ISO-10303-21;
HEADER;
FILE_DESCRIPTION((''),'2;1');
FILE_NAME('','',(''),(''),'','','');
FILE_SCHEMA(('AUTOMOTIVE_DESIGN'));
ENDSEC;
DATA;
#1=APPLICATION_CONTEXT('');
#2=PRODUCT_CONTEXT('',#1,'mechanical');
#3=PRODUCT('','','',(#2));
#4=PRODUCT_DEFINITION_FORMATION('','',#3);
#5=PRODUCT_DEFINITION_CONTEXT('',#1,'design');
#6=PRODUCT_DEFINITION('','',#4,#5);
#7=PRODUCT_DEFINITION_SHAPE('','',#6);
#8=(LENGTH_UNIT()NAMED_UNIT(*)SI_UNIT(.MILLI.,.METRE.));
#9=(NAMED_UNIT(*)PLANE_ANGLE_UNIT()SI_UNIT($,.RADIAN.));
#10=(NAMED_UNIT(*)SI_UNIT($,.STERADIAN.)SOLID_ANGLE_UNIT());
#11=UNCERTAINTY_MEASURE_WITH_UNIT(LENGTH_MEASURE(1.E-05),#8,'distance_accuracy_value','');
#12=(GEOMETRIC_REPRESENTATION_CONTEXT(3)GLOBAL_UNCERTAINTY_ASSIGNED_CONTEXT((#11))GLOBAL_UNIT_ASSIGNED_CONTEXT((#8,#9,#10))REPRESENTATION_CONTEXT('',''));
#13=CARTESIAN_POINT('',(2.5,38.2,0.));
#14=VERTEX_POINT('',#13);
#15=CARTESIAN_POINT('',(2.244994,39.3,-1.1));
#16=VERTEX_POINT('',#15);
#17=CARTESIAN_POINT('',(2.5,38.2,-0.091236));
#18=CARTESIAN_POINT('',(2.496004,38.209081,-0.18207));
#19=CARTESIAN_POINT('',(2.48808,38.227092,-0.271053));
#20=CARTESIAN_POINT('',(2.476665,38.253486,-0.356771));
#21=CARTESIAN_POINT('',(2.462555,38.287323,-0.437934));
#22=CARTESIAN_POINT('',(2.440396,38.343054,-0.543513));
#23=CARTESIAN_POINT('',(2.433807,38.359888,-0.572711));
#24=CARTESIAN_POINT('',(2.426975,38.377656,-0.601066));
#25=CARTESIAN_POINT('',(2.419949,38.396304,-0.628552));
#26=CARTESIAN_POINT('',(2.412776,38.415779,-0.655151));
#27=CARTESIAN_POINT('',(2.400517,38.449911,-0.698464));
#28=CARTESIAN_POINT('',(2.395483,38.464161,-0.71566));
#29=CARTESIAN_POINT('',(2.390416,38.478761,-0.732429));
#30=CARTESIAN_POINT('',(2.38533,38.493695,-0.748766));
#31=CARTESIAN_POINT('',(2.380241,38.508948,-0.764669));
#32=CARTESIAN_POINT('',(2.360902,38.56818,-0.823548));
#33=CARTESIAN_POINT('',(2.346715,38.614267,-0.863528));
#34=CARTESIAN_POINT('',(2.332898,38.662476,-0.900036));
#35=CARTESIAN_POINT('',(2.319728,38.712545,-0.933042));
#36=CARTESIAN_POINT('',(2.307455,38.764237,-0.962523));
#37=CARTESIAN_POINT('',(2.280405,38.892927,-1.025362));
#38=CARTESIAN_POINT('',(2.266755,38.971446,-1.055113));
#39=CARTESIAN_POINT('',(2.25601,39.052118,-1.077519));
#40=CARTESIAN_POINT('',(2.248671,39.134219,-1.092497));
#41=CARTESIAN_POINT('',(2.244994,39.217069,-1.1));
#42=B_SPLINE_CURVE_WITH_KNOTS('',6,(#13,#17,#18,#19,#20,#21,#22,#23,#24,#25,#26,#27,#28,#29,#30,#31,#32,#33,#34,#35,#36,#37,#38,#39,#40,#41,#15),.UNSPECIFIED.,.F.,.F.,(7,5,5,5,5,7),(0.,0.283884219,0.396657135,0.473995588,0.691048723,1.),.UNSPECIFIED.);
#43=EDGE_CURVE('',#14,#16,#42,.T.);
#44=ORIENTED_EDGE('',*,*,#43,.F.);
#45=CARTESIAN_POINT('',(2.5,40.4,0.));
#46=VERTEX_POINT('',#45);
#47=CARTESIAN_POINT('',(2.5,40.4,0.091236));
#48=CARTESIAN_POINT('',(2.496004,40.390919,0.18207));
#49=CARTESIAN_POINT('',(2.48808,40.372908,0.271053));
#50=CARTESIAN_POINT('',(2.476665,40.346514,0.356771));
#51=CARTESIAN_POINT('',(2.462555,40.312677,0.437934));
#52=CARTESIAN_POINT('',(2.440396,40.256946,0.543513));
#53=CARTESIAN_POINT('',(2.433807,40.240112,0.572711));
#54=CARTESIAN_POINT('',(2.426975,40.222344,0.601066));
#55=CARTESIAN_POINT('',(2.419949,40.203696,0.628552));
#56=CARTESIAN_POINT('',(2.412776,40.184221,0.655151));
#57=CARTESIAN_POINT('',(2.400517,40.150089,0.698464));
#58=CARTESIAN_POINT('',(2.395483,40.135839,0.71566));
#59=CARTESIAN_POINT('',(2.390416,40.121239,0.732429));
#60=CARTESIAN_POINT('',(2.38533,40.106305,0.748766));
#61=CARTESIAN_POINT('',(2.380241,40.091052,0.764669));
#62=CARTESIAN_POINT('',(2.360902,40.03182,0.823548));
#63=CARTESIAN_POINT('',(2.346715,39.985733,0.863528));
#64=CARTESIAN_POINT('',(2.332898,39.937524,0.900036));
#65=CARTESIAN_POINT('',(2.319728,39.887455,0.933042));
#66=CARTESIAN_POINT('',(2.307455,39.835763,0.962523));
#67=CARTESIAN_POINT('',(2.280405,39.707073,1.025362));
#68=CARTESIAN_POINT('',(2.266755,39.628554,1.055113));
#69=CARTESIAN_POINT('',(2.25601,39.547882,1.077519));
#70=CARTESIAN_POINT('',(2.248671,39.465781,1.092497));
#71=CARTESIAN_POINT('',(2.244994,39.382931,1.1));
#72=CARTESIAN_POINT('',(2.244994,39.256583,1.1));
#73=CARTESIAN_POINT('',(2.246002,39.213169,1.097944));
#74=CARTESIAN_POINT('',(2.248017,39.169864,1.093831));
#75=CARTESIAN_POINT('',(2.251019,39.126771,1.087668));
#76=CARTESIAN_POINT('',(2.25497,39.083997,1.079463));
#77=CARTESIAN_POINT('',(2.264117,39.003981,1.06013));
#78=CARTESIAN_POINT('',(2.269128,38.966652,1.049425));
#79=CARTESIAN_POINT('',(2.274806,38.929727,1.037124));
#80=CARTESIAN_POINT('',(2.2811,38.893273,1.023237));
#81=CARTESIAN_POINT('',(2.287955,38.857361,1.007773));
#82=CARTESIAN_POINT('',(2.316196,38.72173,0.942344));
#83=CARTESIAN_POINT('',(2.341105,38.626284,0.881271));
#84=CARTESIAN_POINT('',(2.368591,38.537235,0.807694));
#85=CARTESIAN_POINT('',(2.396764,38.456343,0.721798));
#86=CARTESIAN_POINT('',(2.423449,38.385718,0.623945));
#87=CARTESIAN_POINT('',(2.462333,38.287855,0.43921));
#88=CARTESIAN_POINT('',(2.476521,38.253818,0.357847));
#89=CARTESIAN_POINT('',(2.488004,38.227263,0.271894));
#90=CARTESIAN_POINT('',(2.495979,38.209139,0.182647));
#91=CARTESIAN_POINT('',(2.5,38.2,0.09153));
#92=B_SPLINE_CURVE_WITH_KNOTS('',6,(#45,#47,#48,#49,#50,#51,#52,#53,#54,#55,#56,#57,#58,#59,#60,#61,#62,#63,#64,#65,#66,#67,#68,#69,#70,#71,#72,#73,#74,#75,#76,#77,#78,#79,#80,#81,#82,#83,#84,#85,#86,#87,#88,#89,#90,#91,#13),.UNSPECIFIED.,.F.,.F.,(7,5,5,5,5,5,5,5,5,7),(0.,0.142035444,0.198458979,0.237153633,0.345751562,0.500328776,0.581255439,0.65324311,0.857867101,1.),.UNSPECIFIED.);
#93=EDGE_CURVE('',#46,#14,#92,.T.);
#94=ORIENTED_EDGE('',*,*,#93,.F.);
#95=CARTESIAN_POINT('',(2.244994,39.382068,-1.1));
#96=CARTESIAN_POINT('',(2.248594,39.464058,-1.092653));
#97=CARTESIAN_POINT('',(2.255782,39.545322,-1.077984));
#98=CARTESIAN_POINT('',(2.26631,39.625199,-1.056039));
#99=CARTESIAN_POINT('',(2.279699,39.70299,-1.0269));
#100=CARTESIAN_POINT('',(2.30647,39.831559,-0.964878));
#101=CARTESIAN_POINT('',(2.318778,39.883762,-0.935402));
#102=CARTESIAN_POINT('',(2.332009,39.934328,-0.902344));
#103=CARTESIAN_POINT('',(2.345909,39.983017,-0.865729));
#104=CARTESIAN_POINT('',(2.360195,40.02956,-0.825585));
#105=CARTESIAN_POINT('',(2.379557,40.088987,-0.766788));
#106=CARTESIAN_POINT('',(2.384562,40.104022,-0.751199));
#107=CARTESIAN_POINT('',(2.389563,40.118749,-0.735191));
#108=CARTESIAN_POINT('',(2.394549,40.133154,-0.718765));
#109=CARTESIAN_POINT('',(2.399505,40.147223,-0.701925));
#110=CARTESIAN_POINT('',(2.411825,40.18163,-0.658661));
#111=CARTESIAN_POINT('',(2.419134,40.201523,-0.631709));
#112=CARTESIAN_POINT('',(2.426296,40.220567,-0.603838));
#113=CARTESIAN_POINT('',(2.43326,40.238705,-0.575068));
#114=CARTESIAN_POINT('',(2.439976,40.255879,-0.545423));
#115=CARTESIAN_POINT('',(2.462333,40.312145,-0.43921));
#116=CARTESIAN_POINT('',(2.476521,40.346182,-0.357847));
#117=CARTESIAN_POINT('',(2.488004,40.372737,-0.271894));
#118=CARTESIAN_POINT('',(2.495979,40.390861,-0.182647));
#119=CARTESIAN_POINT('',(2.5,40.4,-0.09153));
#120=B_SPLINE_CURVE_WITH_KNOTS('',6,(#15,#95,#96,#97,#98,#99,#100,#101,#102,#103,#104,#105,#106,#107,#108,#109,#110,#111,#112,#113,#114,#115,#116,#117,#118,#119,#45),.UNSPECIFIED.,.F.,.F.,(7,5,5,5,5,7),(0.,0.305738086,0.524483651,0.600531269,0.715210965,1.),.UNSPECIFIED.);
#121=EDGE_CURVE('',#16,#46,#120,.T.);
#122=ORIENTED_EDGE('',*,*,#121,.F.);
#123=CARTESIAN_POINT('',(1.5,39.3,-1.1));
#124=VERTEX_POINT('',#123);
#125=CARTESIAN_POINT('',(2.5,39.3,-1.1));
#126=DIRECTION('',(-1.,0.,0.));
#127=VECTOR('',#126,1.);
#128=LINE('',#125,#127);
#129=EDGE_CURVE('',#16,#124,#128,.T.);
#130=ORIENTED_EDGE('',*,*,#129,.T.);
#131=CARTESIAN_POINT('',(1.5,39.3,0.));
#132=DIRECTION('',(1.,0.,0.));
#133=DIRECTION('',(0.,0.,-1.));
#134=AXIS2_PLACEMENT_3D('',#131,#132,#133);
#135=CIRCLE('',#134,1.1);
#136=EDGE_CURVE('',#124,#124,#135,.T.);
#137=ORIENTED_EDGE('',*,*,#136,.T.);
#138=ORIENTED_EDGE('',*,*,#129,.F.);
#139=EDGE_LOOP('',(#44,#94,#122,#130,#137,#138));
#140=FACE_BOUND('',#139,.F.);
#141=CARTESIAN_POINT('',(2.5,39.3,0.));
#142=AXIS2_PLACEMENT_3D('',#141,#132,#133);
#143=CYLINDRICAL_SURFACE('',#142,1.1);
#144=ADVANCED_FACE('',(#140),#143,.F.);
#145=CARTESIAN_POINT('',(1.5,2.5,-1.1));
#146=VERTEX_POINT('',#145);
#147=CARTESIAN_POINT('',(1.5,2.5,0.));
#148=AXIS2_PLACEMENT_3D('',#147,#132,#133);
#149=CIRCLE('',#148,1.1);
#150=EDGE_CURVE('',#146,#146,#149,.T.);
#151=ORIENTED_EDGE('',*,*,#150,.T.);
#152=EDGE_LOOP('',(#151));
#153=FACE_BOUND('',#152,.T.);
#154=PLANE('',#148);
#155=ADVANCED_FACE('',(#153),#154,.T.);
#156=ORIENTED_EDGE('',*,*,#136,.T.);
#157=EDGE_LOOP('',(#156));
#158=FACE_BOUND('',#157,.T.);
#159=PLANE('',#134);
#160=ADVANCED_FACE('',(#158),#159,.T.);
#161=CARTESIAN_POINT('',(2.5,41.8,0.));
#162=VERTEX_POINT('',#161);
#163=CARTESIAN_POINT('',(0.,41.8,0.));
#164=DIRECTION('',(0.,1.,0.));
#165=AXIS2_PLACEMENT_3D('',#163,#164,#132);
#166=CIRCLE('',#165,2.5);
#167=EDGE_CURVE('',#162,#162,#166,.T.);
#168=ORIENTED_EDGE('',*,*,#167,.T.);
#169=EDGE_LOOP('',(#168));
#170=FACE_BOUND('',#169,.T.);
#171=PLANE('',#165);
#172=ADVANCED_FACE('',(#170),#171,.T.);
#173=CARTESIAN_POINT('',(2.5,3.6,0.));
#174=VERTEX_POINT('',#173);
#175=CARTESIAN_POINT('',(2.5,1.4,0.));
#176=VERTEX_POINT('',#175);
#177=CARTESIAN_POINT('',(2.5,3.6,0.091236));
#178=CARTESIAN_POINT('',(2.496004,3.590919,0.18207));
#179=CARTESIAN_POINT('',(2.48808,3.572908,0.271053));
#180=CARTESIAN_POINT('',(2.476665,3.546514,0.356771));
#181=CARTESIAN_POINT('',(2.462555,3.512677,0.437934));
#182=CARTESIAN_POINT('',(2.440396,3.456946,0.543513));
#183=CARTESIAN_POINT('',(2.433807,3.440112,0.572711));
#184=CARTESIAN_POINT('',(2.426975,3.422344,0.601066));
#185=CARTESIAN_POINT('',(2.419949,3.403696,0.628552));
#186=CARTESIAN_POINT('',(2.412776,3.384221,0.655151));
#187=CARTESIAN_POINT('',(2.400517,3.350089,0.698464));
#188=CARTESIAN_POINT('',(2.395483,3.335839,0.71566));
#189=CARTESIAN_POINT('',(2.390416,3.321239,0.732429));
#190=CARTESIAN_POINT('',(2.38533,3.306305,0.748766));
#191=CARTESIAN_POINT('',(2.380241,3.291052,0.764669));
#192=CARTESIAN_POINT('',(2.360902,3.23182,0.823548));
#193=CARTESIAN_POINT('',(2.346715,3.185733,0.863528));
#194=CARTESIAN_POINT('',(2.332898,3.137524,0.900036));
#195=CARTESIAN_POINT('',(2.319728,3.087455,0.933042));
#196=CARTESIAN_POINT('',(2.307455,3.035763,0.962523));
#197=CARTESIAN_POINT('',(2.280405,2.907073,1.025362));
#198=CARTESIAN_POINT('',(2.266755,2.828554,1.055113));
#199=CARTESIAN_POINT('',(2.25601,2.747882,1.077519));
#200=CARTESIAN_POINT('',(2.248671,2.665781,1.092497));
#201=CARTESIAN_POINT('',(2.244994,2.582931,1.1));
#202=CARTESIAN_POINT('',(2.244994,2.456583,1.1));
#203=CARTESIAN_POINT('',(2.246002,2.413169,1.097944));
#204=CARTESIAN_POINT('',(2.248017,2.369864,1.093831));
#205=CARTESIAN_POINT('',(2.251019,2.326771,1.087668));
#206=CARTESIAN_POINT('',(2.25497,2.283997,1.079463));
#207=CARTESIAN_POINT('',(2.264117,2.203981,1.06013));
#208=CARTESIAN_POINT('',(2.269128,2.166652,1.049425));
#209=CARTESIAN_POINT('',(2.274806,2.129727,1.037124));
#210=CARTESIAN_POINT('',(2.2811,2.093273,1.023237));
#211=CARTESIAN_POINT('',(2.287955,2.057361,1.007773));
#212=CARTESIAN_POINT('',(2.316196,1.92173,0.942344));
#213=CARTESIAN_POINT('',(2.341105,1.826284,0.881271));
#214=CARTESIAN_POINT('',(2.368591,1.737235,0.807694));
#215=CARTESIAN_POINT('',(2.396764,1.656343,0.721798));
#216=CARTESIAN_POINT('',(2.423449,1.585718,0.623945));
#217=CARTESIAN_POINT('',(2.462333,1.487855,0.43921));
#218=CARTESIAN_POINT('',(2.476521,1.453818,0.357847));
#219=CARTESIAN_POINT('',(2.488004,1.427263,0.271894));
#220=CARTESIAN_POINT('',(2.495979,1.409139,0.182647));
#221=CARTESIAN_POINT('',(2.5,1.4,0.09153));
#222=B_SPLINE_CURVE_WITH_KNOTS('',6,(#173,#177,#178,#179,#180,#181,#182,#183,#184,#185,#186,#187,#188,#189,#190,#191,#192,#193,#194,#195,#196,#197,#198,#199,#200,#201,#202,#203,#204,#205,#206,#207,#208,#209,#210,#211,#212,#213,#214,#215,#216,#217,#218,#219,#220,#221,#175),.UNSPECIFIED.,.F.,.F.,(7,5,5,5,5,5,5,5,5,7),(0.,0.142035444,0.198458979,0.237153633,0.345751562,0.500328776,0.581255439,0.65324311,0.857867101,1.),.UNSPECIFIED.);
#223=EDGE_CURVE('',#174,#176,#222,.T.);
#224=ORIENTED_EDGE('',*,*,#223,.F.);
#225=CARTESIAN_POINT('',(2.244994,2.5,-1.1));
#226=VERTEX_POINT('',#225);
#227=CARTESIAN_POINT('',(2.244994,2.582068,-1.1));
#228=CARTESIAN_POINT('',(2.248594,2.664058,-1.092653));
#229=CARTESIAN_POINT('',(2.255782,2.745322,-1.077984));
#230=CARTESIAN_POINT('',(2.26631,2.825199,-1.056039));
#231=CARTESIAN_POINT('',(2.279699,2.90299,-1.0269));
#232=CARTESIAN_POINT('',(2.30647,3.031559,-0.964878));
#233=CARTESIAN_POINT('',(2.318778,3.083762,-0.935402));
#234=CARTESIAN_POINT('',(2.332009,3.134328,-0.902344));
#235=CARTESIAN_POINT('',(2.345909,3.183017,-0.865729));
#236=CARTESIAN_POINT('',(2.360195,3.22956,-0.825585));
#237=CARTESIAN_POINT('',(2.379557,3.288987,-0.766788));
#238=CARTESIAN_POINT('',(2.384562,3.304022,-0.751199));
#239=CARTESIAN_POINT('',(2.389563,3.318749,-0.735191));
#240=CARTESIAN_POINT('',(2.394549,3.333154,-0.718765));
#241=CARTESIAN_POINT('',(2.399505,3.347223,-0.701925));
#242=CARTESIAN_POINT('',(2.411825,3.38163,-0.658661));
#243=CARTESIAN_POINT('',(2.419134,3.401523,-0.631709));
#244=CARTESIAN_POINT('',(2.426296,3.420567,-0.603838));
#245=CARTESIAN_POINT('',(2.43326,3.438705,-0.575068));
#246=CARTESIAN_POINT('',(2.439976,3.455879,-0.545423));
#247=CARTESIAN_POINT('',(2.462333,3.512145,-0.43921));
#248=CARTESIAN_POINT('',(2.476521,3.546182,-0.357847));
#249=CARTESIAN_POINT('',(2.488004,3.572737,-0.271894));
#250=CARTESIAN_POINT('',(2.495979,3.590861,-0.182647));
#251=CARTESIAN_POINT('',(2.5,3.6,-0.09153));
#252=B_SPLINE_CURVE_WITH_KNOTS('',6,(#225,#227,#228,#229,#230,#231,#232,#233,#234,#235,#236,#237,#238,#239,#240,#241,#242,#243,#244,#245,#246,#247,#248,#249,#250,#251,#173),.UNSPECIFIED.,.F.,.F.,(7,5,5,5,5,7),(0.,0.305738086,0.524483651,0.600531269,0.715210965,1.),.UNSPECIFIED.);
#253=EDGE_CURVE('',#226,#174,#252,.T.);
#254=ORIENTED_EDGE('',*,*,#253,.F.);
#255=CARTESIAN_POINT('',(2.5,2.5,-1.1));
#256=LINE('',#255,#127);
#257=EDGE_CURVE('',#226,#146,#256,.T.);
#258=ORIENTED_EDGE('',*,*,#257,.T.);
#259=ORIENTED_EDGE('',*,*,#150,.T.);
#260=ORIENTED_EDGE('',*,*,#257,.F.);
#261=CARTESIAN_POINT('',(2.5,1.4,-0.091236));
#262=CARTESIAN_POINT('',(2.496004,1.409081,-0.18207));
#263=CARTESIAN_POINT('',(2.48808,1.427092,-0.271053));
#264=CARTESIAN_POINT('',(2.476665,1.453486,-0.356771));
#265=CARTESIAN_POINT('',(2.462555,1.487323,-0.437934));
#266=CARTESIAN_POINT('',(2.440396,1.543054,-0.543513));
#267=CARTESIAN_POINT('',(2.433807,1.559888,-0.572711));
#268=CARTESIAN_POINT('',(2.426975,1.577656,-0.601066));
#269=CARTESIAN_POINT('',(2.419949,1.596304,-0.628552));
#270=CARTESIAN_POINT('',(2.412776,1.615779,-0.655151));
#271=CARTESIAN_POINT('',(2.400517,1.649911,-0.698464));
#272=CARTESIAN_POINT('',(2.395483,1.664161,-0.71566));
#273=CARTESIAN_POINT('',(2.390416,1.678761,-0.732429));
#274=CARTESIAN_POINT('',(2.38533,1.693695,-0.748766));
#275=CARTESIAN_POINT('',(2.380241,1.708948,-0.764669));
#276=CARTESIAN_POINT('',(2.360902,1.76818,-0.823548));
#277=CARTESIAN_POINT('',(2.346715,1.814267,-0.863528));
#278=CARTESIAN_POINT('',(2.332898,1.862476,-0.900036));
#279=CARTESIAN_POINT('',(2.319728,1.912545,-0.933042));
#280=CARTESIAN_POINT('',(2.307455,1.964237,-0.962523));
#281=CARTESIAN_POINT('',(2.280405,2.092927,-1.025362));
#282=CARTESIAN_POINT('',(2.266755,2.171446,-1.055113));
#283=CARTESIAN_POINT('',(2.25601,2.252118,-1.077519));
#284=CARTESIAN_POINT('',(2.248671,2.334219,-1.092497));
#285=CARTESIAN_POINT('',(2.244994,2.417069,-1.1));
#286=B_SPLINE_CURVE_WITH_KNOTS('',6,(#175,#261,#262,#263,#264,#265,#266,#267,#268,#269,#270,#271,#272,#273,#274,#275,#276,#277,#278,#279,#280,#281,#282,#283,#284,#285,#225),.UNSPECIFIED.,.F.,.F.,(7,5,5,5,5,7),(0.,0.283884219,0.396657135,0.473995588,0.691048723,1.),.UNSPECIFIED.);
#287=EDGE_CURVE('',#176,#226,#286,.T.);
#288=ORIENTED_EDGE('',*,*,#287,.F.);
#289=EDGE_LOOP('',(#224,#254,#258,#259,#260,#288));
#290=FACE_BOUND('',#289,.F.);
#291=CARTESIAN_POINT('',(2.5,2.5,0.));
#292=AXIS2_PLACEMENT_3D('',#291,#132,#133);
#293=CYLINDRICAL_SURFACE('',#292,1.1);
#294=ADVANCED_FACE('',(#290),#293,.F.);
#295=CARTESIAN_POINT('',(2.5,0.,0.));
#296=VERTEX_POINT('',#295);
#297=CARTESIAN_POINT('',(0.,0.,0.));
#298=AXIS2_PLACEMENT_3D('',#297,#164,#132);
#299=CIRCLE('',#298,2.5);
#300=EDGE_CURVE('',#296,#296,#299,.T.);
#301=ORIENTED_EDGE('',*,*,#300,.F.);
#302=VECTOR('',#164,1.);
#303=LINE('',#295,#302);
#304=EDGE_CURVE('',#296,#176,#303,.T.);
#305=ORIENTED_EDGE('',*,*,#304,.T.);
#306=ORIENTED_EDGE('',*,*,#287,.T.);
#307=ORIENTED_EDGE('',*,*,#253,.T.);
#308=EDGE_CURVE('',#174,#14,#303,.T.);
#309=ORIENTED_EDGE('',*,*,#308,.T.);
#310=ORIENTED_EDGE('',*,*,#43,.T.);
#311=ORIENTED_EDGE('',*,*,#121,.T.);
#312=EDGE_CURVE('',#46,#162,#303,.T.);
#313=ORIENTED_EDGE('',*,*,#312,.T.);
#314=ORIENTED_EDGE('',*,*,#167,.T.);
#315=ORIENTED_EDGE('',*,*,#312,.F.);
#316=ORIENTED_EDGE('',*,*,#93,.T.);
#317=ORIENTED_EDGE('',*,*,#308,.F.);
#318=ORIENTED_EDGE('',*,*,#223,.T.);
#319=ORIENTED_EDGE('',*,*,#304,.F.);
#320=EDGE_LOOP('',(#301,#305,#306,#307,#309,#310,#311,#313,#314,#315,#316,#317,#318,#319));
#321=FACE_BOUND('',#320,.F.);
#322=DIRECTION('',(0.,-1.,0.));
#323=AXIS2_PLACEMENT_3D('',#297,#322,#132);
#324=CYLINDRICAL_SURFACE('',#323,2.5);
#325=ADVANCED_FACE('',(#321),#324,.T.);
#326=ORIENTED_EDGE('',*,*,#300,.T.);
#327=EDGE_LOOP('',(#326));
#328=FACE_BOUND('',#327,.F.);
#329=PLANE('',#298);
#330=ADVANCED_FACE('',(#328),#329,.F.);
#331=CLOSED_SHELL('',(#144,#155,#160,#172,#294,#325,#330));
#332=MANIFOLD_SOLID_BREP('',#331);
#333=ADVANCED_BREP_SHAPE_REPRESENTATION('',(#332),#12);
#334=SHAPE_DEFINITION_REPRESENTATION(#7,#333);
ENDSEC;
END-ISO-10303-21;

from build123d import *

# Parameters (mm, degrees)
SKETCH_1_R          = 2.5
EXTRUDE_1_DEPTH     = 41.8
SKETCH_6_R          = 1.1
CUT_EXTRUDE_1_DEPTH = 1


with BuildPart() as part:
    # 草图1 → 凸台-拉伸1 (new body)
    with BuildSketch(Plane(origin=(0, 0, 0), x_dir=(1, 0, 0), z_dir=(0, 1, 0))):
        Circle(SKETCH_1_R)
    extrude(amount=EXTRUDE_1_DEPTH)

    # 草图6 → 切除-拉伸1 (cut)
    with BuildSketch(Plane(origin=(2.5, 0, 0), x_dir=(0, 0, -1), z_dir=(1, 0, 0))):
        with Locations((0, 39.3)):
            Circle(SKETCH_6_R)
        with Locations((0, 2.5)):
            Circle(SKETCH_6_R)
    extrude(amount=-CUT_EXTRUDE_1_DEPTH, mode=Mode.SUBTRACT)


solid = part.part
